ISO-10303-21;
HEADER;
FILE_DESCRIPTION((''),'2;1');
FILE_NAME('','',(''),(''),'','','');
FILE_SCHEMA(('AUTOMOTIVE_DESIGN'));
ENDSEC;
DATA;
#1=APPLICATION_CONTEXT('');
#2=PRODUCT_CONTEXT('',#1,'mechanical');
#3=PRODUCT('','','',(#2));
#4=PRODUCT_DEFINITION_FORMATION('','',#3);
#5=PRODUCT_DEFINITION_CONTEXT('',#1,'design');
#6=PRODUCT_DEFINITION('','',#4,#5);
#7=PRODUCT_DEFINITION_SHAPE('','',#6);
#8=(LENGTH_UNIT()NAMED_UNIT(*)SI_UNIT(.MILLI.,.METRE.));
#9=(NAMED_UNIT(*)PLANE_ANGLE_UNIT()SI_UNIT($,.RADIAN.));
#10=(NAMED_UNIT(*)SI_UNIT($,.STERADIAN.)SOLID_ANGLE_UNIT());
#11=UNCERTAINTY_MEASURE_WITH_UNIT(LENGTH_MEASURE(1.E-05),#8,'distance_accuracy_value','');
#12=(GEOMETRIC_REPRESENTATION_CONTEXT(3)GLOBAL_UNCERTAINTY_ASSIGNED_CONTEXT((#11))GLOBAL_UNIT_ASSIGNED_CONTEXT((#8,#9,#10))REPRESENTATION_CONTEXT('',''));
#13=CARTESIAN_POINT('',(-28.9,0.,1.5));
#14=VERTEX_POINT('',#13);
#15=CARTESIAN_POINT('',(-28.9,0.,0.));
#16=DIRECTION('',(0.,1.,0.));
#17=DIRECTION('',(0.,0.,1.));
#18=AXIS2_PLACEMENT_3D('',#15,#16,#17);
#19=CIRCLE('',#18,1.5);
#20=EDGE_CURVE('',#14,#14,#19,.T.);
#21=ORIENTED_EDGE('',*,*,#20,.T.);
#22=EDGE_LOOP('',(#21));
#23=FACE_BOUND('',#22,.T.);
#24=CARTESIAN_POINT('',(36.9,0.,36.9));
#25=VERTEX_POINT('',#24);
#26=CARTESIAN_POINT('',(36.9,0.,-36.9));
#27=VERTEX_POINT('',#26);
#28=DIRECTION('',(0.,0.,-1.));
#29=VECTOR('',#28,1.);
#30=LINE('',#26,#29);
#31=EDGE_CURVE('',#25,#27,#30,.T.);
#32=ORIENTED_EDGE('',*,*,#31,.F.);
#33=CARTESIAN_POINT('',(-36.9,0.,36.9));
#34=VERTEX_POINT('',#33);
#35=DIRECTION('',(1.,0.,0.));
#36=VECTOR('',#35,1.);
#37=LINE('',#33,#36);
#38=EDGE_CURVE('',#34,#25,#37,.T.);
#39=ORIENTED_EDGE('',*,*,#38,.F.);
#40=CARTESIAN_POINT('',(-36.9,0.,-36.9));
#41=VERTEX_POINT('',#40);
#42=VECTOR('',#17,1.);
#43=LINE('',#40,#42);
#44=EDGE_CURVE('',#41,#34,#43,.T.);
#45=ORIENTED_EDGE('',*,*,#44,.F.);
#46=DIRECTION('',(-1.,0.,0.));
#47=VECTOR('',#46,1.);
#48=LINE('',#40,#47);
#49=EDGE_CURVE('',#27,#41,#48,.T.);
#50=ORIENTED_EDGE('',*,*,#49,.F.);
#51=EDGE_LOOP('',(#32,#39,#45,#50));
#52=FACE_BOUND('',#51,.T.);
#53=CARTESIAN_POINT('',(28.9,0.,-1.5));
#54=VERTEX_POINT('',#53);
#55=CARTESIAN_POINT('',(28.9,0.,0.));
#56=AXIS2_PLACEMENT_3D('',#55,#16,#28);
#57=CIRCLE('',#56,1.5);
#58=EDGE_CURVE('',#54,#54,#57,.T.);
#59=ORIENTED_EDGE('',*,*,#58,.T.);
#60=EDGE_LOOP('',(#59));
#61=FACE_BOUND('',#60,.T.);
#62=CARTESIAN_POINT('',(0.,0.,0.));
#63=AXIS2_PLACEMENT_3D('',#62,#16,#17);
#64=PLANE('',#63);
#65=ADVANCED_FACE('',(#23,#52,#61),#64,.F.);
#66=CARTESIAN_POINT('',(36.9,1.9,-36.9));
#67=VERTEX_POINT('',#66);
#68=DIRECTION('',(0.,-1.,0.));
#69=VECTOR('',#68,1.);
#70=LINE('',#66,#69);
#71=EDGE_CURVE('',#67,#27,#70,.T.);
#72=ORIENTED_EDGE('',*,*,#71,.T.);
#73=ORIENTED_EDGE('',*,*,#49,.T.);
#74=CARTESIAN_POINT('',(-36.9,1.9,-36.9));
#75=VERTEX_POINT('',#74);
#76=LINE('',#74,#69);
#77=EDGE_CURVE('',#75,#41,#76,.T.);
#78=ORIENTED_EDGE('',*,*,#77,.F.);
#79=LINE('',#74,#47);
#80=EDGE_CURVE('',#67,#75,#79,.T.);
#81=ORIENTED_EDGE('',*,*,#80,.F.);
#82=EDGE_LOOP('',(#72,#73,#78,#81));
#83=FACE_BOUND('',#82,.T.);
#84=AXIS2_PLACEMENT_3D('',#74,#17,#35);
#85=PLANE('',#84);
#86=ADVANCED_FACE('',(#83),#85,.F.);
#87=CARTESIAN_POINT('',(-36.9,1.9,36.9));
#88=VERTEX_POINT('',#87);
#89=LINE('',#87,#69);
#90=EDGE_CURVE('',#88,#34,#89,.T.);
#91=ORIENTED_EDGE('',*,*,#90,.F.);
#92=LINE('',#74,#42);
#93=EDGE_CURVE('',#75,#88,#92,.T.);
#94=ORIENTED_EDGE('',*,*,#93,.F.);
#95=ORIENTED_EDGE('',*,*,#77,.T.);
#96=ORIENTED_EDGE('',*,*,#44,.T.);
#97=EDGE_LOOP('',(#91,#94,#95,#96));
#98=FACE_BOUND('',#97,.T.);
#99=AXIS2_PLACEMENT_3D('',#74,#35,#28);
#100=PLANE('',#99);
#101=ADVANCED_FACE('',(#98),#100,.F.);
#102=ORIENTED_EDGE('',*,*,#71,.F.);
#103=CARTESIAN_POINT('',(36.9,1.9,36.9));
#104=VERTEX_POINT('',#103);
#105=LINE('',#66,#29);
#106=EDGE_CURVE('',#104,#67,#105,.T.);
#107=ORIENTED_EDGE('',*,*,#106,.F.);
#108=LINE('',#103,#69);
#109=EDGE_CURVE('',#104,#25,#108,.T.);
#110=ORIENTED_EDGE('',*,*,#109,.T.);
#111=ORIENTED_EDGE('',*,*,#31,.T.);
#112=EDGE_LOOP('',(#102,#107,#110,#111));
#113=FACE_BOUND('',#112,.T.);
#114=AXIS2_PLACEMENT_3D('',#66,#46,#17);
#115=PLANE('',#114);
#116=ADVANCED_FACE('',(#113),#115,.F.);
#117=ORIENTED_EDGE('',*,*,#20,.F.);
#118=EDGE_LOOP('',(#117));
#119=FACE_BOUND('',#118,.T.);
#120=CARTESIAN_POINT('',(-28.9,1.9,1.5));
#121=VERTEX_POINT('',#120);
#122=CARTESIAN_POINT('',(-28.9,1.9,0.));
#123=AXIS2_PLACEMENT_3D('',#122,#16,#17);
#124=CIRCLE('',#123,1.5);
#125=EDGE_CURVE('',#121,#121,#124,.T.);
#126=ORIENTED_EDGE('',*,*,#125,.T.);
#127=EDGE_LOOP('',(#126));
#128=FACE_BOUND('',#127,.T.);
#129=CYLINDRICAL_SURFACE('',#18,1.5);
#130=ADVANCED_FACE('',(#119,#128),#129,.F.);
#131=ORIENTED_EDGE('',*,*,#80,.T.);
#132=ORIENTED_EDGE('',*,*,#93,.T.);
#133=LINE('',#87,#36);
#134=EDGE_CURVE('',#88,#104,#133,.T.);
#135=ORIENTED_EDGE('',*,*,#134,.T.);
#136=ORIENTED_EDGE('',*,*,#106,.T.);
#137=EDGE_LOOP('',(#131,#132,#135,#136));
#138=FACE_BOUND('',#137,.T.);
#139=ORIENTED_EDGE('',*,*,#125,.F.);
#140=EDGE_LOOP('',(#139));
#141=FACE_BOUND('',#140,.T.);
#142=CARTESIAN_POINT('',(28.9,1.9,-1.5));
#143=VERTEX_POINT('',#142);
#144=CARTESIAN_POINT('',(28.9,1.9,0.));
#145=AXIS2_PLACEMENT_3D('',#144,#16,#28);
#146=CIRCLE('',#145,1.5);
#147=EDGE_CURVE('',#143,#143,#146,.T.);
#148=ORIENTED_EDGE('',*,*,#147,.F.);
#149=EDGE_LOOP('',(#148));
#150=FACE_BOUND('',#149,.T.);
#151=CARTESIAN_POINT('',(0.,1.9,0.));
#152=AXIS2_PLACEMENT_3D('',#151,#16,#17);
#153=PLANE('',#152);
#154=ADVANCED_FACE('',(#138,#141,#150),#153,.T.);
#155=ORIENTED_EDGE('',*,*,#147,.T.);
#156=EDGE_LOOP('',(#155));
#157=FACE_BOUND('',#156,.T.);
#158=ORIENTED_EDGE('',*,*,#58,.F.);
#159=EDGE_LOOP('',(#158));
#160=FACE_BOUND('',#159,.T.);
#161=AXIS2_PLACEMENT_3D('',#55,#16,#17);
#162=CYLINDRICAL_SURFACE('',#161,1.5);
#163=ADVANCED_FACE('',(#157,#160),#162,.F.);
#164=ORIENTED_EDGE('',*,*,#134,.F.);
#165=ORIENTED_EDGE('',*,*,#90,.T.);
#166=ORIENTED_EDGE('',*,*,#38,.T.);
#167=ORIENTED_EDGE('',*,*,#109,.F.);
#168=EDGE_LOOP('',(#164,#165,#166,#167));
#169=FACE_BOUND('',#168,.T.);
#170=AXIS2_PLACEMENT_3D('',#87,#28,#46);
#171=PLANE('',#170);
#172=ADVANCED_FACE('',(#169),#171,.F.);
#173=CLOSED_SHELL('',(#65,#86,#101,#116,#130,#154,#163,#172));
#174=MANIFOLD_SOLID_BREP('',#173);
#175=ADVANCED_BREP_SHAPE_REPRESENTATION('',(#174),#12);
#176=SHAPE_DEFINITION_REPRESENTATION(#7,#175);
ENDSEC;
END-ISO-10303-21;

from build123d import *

# Parameters (mm, degrees)
CROQUIS1_W                 = 73.8
CROQUIS1_H                 = 73.8
SALIENTE_EXTRUIR3_DEPTH    = 1.9
CROQUIS2_R                 = 1.5
CORTAR_EXTRUIR1_DEPTH      = 1
CORTAR_EXTRUIR1_DEPTH_BACK = 2.9


with BuildPart() as part:
    # Croquis1 → Saliente-Extruir3 (new body)
    with BuildSketch(Plane(origin=(0, 0, 0), x_dir=(1, 0, 0), z_dir=(0, 1, 0))):
        Rectangle(CROQUIS1_W, CROQUIS1_H)
    extrude(amount=SALIENTE_EXTRUIR3_DEPTH)

    # Croquis2 → Cortar-Extruir1 (cut, two sides)
    with BuildSketch(Plane(origin=(0, 1.9, 0), x_dir=(1, 0, 0), z_dir=(0, 1, 0))) as cortar_extruir1_sk:
        with Locations((-28.9, 0)):
            Circle(CROQUIS2_R)
        with Locations((28.9, 0)):
            Circle(CROQUIS2_R)
    extrude(amount=CORTAR_EXTRUIR1_DEPTH, mode=Mode.SUBTRACT)
    extrude(cortar_extruir1_sk.sketch, amount=-CORTAR_EXTRUIR1_DEPTH_BACK, mode=Mode.SUBTRACT)


solid = part.part
